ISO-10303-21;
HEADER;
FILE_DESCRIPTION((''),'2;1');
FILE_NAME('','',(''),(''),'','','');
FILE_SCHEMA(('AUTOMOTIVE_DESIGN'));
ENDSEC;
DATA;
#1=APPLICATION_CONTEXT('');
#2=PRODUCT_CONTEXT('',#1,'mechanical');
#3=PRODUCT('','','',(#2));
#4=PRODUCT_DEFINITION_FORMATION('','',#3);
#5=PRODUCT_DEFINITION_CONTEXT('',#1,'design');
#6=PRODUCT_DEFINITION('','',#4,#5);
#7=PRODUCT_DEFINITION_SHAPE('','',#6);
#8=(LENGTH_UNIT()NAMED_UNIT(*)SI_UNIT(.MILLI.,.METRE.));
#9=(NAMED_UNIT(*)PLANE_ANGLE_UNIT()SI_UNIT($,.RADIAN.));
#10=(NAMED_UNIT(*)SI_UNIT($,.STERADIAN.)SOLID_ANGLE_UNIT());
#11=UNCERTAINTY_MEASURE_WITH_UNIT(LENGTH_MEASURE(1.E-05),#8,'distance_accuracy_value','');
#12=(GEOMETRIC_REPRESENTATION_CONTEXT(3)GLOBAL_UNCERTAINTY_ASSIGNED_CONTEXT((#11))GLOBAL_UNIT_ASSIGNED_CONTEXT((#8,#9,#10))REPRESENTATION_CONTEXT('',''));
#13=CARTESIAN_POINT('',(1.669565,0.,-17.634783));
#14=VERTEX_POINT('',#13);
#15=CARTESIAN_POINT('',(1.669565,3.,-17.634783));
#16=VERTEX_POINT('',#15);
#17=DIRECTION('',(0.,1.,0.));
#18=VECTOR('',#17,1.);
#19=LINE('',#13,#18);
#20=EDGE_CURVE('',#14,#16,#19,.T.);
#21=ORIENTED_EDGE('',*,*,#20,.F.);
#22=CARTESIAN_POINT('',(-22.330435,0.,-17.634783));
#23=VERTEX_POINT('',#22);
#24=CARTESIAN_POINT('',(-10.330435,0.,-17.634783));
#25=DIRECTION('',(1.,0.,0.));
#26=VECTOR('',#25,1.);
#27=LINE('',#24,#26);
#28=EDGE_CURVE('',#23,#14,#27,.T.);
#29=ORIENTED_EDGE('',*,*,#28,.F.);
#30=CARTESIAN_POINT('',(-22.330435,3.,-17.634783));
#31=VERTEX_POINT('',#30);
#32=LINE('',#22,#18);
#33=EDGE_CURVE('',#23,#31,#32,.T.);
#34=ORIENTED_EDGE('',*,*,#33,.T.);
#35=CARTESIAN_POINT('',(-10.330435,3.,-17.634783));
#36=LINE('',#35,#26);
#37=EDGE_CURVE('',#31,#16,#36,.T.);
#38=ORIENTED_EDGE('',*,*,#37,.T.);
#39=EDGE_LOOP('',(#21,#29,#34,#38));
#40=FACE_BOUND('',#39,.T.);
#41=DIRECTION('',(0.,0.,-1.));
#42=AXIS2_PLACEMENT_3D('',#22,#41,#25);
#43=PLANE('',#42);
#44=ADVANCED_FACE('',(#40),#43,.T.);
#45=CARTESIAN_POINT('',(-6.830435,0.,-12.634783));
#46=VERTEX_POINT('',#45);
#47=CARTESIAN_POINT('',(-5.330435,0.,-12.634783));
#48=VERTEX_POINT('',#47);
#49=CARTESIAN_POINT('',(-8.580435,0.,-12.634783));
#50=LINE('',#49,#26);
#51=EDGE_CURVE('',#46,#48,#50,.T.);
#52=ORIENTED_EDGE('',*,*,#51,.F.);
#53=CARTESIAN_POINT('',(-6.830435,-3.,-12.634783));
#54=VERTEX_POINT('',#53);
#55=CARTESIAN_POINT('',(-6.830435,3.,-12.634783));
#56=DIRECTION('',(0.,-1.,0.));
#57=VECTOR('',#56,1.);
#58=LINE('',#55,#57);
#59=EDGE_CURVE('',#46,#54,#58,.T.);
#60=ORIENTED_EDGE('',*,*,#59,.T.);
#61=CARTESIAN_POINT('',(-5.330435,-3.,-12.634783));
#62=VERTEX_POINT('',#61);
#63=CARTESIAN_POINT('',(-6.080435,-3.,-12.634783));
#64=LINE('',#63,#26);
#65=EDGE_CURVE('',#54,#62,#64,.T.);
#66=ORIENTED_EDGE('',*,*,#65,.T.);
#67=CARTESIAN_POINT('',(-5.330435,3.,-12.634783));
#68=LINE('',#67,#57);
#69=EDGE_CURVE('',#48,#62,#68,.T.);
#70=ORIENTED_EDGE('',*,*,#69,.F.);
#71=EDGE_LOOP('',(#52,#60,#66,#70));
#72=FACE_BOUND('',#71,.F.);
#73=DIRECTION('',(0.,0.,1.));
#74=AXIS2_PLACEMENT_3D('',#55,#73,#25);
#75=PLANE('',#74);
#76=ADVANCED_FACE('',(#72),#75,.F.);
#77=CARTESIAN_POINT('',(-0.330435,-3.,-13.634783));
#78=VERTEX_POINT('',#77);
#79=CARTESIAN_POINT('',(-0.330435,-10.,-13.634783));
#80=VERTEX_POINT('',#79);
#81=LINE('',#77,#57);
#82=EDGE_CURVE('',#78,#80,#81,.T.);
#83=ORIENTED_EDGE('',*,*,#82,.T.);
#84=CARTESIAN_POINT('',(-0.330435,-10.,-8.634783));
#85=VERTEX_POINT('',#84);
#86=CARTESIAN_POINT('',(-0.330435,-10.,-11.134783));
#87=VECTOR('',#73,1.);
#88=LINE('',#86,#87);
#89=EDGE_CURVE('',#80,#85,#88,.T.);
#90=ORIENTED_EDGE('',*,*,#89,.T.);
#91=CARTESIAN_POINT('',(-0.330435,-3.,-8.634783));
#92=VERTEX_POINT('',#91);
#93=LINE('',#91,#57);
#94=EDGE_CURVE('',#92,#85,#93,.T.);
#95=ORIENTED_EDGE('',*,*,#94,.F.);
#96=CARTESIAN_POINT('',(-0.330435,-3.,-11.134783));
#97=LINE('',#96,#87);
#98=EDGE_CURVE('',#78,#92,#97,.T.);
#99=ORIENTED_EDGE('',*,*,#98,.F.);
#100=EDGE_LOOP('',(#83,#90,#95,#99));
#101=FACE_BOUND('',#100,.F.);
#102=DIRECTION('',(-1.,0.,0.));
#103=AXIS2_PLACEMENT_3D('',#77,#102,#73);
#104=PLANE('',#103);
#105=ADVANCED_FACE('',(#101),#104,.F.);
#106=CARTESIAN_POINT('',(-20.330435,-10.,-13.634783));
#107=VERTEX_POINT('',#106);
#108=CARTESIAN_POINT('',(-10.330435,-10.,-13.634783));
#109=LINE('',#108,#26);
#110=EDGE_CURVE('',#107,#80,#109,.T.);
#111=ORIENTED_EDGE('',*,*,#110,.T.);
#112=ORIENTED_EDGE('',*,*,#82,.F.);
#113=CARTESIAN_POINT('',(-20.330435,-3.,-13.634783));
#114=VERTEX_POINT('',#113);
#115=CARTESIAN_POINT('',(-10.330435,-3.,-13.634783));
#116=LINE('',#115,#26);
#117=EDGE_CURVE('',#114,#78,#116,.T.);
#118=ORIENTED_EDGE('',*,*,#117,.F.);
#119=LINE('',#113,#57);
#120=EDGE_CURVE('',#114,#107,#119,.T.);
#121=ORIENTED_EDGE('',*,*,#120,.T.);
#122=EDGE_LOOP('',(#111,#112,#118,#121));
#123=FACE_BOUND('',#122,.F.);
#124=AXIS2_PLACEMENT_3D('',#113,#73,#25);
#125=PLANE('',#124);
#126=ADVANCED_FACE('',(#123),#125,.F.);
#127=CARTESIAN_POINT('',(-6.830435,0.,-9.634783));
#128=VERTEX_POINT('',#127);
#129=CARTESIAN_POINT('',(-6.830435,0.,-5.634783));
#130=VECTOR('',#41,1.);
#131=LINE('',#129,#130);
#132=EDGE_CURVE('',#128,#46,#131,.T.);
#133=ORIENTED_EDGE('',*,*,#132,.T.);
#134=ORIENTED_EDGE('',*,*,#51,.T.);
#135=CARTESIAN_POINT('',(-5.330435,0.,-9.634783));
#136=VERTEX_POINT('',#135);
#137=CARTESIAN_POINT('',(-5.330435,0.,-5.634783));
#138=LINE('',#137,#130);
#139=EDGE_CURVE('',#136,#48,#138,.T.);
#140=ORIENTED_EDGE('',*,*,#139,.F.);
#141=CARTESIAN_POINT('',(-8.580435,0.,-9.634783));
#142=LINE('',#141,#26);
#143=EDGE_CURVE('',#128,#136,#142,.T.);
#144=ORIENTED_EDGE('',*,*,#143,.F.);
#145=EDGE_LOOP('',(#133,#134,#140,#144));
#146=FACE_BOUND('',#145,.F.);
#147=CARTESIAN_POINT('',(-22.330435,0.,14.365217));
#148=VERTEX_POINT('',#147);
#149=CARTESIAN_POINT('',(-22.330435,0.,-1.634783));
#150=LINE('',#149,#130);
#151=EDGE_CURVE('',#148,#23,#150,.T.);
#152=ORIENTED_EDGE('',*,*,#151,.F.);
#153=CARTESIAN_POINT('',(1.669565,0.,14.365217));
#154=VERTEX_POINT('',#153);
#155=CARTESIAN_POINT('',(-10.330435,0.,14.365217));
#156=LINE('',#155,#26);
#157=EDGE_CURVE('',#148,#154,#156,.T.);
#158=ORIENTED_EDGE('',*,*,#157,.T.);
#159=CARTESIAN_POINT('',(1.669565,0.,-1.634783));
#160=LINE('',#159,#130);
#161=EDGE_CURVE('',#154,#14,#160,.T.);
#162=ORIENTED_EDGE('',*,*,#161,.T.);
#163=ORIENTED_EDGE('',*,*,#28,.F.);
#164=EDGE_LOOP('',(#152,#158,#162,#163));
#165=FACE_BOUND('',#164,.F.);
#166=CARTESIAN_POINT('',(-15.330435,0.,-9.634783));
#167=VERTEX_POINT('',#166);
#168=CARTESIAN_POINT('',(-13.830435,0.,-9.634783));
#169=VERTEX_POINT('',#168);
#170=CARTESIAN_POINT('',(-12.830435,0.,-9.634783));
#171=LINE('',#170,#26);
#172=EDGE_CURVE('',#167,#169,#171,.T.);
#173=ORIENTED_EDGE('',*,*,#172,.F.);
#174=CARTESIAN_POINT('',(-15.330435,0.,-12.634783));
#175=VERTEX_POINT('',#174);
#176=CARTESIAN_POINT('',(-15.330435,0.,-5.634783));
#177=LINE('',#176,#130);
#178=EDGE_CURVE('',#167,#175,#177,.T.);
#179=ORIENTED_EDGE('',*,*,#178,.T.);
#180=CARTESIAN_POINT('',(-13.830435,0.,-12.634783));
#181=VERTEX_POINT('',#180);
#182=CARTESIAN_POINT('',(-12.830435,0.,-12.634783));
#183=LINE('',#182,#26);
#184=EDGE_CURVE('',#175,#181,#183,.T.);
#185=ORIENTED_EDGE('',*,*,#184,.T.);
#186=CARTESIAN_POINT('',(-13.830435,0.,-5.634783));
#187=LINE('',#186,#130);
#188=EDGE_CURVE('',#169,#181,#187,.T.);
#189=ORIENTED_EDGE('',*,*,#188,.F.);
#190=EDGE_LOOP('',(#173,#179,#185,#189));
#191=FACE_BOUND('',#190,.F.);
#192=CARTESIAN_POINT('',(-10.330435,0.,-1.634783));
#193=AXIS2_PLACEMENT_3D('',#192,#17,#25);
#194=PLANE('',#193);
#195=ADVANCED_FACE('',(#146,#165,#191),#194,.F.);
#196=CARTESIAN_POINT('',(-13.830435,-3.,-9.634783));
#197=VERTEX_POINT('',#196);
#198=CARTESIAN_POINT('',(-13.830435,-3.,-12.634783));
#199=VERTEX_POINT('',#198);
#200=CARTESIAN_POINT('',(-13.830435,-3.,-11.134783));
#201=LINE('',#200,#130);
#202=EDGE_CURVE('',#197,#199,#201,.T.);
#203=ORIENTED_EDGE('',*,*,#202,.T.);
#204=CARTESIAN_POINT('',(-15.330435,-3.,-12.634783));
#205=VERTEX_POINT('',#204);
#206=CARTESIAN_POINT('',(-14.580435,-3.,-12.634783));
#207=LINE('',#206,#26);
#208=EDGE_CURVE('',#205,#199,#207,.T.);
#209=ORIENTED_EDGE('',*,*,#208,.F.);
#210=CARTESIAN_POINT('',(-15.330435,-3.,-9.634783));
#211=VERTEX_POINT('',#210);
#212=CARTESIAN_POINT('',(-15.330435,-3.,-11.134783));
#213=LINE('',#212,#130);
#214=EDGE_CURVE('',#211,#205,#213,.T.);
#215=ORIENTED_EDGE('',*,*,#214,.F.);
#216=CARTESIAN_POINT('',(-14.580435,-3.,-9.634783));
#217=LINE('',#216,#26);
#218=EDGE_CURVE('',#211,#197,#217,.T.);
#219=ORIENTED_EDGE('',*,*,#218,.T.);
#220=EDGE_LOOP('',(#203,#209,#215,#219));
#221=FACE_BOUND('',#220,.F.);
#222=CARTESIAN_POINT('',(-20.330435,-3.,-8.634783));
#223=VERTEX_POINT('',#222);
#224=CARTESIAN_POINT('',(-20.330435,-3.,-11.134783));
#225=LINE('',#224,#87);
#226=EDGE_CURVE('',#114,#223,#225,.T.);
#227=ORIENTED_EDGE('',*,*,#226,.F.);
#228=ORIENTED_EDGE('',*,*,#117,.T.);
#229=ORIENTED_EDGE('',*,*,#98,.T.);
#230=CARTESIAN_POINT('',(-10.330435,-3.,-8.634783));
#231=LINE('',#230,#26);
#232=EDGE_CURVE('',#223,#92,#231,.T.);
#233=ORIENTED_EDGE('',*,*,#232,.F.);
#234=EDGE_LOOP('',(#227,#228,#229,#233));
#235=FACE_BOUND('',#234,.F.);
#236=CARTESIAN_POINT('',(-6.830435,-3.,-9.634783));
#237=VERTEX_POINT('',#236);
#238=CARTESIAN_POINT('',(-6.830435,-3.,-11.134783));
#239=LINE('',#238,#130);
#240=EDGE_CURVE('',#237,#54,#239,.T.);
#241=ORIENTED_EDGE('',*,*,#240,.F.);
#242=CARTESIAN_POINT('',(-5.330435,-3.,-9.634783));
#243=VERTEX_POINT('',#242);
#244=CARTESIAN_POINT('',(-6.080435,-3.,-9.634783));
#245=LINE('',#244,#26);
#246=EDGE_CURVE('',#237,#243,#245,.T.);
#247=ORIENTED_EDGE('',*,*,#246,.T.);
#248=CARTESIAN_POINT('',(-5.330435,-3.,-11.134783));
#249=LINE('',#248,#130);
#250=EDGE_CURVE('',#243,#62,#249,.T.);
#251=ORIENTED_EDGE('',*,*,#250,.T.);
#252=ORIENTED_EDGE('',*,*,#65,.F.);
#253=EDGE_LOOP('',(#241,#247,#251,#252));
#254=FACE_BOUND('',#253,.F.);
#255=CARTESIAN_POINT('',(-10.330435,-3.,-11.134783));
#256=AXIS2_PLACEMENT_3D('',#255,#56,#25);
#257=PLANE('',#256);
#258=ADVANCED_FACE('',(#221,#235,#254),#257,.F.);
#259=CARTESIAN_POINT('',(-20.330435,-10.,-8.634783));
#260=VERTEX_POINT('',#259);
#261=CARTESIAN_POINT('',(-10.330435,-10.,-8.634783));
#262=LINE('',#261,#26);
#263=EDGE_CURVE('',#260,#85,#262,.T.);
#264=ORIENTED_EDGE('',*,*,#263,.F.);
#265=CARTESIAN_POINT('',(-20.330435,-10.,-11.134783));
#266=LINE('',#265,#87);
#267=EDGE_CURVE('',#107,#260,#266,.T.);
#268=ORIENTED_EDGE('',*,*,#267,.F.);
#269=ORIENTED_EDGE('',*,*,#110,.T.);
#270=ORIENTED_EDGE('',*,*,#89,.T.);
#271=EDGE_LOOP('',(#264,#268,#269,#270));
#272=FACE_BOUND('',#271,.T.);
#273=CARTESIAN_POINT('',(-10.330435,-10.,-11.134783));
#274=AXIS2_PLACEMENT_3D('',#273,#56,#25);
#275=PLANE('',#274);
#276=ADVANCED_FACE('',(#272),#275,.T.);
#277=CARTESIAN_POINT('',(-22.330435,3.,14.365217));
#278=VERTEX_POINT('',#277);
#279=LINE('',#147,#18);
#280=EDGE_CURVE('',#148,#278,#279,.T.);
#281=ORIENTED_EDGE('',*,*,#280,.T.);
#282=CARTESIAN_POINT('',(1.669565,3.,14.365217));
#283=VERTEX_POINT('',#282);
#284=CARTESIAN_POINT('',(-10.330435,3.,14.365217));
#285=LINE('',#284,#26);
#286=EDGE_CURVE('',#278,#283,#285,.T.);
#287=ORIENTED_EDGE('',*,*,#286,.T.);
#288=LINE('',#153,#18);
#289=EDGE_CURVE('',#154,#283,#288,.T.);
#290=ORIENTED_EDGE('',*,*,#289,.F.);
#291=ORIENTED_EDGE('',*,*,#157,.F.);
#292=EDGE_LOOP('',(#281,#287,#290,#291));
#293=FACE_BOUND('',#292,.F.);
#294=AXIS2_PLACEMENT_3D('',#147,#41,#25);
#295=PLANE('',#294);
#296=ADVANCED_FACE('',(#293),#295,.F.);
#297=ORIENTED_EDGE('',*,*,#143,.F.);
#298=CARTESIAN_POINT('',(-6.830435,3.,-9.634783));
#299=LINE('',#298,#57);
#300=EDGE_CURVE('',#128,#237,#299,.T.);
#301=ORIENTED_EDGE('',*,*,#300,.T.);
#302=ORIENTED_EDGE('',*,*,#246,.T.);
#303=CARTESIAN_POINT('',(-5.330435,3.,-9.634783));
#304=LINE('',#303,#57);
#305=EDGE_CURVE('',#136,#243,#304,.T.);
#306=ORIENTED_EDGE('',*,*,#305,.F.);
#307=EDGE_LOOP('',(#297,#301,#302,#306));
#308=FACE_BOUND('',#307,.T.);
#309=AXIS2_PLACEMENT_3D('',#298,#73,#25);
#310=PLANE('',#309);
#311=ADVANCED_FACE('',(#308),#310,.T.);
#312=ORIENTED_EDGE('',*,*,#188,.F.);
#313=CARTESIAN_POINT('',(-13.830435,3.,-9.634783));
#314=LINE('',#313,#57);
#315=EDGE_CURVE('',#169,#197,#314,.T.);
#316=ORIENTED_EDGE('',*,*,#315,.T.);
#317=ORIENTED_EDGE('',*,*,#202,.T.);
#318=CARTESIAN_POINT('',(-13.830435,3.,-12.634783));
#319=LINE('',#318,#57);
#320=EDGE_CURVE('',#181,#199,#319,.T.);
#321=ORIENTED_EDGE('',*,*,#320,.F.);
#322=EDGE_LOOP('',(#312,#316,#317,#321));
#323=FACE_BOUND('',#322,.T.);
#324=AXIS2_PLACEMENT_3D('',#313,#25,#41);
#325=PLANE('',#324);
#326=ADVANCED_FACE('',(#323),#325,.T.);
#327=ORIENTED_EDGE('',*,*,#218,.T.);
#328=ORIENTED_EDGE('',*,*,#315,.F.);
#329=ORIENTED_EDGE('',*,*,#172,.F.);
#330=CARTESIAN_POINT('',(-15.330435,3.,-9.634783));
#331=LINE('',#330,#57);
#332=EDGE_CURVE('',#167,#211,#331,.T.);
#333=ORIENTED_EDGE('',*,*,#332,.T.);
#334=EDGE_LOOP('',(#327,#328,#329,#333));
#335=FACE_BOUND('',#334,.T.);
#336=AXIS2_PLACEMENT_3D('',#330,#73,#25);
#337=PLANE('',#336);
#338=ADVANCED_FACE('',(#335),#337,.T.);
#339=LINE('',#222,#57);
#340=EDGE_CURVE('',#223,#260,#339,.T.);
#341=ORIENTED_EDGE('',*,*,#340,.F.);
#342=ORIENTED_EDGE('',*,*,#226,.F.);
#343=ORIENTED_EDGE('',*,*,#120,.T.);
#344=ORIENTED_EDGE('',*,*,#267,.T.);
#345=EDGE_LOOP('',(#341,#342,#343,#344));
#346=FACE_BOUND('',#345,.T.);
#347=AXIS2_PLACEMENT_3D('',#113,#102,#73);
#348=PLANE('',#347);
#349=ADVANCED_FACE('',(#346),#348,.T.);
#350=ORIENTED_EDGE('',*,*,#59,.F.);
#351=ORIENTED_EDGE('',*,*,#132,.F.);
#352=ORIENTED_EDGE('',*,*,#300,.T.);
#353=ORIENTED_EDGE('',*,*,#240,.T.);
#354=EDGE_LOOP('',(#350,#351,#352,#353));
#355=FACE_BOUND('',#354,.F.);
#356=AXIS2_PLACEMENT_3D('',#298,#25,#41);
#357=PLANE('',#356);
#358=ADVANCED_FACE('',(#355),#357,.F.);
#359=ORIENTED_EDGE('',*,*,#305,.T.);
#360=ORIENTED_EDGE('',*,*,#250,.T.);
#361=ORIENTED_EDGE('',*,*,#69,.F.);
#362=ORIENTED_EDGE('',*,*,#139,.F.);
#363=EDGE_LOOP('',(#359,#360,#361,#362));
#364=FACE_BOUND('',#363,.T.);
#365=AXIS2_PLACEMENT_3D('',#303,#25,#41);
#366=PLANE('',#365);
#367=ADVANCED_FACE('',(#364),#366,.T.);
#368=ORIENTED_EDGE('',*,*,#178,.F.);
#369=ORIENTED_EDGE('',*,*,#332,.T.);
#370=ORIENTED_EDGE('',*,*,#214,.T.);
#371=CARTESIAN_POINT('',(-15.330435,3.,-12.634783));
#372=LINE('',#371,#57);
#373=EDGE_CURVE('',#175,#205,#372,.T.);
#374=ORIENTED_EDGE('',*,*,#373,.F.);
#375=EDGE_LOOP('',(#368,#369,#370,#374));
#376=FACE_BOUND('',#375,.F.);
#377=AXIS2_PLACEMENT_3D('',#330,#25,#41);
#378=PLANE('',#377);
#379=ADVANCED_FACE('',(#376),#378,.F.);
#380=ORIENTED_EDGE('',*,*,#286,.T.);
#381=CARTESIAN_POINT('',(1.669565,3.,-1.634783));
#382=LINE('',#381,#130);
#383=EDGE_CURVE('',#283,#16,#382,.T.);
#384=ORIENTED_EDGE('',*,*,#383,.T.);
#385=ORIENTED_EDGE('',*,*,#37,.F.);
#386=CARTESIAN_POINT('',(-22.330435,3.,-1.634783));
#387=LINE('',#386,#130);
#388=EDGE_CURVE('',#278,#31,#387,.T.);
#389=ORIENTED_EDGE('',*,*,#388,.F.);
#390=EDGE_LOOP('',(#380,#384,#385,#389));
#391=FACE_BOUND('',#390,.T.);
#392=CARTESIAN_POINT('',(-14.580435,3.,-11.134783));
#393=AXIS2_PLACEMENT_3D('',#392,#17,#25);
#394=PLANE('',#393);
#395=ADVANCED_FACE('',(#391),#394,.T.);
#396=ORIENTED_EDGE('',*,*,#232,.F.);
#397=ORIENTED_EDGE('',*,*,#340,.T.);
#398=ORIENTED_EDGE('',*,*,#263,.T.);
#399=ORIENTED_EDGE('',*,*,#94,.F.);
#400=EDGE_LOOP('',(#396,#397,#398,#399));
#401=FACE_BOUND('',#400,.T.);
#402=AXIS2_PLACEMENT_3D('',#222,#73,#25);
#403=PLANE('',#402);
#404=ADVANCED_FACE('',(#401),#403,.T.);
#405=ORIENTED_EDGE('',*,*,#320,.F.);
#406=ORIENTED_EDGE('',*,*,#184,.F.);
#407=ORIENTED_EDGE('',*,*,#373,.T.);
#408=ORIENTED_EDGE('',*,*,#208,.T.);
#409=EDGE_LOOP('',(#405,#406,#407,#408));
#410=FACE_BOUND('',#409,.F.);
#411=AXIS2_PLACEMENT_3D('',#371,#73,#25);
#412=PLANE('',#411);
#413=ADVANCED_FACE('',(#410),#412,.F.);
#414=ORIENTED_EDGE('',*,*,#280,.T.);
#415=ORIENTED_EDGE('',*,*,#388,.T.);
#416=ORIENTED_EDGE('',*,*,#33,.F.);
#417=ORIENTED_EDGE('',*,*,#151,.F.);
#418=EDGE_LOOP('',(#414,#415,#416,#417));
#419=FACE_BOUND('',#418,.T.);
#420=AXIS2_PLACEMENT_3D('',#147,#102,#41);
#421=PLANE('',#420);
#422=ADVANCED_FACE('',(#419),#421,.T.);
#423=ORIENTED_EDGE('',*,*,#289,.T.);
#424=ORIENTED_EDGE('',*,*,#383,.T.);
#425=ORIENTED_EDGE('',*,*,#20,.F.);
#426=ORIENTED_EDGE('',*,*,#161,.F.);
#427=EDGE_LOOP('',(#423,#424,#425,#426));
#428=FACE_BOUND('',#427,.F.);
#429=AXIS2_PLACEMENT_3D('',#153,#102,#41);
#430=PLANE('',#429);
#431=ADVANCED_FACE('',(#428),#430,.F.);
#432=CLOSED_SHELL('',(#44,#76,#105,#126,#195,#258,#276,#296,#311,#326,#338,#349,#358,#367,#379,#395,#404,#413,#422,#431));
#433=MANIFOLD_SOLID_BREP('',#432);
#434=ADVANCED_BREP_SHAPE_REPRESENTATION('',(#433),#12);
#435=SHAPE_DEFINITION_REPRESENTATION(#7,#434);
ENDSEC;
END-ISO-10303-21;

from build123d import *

# Parameters (mm, degrees)
SKETCH1_W           = 24
SKETCH1_H           = 32
BOSS_EXTRUDE1_DEPTH = 3
SKETCH2_W           = 1.5
SKETCH2_H           = 3
BOSS_EXTRUDE5_DEPTH = 6
SKETCH3_W           = 20
SKETCH3_H           = 5
BOSS_EXTRUDE6_DEPTH = 7


with BuildPart() as part:
    # Sketch1 → Boss-Extrude1 (new body)
    with BuildSketch(Plane(origin=(0, 0, 0), x_dir=(1, 0, 0), z_dir=(0, 1, 0))):
        with Locations((-10.330434783, 1.634782609)):
            Rectangle(SKETCH1_W, SKETCH1_H)
    extrude(amount=BOSS_EXTRUDE1_DEPTH)

    # Sketch2 → Boss-Extrude5 (add)
    with BuildSketch(Plane(origin=(0, 3, 0), x_dir=(1, 0, 0), z_dir=(0, 1, 0))):
        with Locations((-14.580434783, 11.134782609)):
            Rectangle(SKETCH2_W, SKETCH2_H)
        with Locations((-6.080434783, 11.134782609)):
            Rectangle(SKETCH2_W, SKETCH2_H)
    extrude(amount=-BOSS_EXTRUDE5_DEPTH)

    # Sketch3 → Boss-Extrude6 (add)
    with BuildSketch(Plane.XZ.offset(3)):
        with Locations((-10.330434783, -11.134782609)):
            Rectangle(SKETCH3_W, SKETCH3_H)
    extrude(amount=BOSS_EXTRUDE6_DEPTH)


solid = part.part
